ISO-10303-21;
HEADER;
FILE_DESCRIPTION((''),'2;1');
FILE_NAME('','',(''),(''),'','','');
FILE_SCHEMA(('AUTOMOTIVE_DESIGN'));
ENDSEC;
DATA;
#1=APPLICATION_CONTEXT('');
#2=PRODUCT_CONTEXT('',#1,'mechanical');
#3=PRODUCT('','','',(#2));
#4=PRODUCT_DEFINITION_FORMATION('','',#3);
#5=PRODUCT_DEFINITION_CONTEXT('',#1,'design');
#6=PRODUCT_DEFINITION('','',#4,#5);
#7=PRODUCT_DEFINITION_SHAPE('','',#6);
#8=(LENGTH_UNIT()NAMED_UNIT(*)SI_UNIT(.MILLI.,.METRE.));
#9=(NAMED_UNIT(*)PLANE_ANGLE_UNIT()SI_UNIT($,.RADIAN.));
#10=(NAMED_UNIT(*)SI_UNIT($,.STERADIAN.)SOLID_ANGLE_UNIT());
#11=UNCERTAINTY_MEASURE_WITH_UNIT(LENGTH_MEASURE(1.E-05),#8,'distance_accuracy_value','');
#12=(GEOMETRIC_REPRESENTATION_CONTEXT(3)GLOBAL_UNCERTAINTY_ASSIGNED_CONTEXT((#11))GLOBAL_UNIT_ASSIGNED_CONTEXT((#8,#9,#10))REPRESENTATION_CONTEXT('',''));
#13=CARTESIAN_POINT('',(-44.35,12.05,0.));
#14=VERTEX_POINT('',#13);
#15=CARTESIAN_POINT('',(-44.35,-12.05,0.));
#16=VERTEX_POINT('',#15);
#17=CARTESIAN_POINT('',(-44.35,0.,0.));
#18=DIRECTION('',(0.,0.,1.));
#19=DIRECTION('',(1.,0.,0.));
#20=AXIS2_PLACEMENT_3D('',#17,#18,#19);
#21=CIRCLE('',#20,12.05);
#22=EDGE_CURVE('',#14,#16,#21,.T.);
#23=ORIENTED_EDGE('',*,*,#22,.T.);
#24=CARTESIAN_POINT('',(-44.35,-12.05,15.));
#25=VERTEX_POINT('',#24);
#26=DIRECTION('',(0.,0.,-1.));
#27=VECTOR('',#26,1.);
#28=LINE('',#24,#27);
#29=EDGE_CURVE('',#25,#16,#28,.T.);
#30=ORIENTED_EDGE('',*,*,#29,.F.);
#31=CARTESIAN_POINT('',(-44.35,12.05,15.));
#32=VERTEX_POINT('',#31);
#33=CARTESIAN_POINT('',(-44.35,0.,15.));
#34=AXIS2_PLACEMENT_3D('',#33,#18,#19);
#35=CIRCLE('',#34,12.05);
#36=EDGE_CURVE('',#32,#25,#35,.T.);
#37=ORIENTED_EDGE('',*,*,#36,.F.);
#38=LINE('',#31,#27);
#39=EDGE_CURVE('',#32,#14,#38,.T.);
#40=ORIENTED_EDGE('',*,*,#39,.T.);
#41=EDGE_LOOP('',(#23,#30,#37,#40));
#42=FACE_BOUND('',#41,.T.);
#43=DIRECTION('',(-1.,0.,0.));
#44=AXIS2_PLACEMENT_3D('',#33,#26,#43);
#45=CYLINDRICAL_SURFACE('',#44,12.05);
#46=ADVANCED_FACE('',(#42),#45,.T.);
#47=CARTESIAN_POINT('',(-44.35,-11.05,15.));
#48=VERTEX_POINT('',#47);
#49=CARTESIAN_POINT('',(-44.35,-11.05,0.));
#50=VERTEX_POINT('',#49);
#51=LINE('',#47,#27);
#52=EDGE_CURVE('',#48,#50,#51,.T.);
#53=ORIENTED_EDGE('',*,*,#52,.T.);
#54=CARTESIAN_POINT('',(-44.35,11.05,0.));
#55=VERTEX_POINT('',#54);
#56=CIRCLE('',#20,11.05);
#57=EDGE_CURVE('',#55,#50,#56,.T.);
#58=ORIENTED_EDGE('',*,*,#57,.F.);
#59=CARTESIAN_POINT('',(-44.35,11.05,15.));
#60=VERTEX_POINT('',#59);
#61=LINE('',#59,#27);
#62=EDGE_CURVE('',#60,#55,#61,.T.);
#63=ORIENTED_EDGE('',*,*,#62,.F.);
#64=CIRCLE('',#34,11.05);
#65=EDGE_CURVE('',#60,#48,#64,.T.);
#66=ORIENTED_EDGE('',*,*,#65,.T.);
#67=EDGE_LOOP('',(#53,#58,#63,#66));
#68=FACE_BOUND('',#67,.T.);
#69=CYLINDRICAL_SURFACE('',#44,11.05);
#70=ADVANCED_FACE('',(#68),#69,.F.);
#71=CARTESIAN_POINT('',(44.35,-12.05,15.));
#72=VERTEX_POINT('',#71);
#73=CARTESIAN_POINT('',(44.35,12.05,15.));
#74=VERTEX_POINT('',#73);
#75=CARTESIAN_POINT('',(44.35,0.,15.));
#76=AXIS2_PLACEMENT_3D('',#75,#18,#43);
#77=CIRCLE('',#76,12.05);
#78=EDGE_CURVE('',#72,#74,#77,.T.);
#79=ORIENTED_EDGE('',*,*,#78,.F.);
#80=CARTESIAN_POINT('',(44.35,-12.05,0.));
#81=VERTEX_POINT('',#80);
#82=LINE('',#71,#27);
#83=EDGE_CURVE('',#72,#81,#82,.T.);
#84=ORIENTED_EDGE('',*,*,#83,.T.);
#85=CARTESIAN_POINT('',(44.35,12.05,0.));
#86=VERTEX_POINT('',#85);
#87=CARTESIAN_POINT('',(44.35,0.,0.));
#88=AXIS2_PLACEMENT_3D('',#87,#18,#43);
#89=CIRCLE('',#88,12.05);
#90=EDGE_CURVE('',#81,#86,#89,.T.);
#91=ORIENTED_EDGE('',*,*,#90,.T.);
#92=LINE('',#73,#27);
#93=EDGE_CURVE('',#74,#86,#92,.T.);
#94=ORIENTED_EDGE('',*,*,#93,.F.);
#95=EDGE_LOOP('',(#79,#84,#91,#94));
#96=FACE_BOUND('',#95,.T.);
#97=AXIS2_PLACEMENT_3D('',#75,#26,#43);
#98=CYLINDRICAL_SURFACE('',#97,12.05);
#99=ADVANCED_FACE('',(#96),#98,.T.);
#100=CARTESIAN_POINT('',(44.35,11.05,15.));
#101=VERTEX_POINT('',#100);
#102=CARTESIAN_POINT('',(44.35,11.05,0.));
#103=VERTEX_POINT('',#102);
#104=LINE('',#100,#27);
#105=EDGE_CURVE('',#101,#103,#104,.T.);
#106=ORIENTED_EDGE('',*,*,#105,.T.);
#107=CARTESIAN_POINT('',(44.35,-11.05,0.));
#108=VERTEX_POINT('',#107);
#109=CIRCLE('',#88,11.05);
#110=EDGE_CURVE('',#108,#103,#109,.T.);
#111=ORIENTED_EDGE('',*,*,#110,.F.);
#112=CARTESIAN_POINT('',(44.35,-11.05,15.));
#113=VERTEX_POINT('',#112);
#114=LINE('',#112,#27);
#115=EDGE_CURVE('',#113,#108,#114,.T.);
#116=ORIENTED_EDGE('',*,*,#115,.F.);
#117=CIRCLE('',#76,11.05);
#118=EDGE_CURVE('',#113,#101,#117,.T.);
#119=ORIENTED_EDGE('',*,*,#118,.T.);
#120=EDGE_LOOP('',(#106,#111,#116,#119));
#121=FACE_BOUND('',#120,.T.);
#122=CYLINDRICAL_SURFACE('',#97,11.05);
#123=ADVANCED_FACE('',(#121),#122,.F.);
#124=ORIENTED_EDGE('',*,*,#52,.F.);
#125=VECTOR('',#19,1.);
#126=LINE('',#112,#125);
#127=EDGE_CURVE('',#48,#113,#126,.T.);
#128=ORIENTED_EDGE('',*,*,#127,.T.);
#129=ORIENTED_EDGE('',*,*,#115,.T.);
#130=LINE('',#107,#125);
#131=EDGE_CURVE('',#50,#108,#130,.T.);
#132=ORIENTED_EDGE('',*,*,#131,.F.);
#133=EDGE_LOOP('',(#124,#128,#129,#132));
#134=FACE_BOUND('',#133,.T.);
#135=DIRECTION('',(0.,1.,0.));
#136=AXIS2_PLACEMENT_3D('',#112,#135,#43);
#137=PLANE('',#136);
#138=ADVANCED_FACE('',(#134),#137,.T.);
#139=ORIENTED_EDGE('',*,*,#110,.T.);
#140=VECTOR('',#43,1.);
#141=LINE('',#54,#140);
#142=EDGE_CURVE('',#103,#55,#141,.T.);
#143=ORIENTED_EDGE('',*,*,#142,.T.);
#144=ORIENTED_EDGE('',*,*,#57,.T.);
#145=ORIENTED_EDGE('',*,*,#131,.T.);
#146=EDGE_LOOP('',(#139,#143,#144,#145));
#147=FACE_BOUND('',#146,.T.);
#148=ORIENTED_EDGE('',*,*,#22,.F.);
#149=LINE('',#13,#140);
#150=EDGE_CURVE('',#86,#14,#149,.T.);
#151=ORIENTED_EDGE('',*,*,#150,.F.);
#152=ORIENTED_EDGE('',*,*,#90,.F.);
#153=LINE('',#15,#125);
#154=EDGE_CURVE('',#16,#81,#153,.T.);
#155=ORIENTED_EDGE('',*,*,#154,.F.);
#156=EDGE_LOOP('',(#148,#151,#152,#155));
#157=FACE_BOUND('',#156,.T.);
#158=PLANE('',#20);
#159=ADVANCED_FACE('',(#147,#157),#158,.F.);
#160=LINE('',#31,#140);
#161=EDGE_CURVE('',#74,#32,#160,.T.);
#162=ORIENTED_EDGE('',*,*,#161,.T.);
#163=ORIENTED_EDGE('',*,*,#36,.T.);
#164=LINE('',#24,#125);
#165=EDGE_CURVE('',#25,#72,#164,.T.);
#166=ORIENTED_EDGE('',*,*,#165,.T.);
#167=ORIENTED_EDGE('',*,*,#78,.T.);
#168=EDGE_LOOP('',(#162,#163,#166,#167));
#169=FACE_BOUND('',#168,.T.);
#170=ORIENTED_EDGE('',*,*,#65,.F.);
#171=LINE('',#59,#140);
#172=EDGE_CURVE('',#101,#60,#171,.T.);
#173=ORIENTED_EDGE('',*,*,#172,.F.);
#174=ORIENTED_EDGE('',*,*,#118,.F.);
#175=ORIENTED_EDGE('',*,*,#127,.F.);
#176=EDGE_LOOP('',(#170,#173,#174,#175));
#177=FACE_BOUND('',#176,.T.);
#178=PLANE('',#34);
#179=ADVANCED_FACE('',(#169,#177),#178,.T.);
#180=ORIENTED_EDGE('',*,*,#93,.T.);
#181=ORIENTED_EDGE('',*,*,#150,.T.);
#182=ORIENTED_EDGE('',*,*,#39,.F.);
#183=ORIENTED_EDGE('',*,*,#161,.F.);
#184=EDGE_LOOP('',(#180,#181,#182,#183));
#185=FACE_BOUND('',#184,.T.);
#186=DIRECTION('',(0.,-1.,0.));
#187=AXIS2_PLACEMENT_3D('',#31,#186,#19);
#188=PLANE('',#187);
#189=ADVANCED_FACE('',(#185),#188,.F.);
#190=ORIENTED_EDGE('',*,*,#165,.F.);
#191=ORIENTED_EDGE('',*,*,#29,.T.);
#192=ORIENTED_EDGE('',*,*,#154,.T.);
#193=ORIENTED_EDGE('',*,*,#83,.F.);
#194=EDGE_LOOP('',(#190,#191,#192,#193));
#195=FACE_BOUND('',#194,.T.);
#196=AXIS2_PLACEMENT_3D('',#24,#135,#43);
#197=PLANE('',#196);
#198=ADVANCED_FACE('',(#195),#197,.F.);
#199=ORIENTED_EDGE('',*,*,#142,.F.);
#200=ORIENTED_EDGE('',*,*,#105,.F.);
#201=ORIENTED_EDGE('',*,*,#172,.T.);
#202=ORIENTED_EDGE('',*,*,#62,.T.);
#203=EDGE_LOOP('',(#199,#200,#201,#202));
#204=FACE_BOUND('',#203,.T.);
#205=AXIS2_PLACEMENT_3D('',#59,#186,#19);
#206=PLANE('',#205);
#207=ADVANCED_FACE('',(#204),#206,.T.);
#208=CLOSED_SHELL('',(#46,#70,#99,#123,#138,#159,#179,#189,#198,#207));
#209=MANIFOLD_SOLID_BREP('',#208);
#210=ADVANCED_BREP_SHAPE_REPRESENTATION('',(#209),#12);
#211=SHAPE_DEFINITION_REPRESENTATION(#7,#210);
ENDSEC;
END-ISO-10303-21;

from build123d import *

# Parameters (mm, degrees)
EXTRUDE_1_DEPTH = 15


with BuildPart() as part:
    # 草图1 → 凸台-拉伸1 (new body)
    with BuildSketch(Plane.XY):
        with BuildLine():
            Line((-44.35, 12.05), (44.35, 12.05))
            ThreePointArc((44.35, 12.05), (56.4, 0), (44.35, -12.05))
            Line((44.35, -12.05), (-44.35, -12.05))
            ThreePointArc((-44.35, -12.05), (-56.4, 0), (-44.35, 12.05))
        make_face()
        with BuildLine():
            Line((-44.35, 11.05), (44.35, 11.05))
            ThreePointArc((44.35, 11.05), (55.4, 0), (44.35, -11.05))
            Line((44.35, -11.05), (-44.35, -11.05))
            ThreePointArc((-44.35, -11.05), (-55.4, 0), (-44.35, 11.05))
        make_face(mode=Mode.SUBTRACT)
    extrude(amount=EXTRUDE_1_DEPTH)


solid = part.part
